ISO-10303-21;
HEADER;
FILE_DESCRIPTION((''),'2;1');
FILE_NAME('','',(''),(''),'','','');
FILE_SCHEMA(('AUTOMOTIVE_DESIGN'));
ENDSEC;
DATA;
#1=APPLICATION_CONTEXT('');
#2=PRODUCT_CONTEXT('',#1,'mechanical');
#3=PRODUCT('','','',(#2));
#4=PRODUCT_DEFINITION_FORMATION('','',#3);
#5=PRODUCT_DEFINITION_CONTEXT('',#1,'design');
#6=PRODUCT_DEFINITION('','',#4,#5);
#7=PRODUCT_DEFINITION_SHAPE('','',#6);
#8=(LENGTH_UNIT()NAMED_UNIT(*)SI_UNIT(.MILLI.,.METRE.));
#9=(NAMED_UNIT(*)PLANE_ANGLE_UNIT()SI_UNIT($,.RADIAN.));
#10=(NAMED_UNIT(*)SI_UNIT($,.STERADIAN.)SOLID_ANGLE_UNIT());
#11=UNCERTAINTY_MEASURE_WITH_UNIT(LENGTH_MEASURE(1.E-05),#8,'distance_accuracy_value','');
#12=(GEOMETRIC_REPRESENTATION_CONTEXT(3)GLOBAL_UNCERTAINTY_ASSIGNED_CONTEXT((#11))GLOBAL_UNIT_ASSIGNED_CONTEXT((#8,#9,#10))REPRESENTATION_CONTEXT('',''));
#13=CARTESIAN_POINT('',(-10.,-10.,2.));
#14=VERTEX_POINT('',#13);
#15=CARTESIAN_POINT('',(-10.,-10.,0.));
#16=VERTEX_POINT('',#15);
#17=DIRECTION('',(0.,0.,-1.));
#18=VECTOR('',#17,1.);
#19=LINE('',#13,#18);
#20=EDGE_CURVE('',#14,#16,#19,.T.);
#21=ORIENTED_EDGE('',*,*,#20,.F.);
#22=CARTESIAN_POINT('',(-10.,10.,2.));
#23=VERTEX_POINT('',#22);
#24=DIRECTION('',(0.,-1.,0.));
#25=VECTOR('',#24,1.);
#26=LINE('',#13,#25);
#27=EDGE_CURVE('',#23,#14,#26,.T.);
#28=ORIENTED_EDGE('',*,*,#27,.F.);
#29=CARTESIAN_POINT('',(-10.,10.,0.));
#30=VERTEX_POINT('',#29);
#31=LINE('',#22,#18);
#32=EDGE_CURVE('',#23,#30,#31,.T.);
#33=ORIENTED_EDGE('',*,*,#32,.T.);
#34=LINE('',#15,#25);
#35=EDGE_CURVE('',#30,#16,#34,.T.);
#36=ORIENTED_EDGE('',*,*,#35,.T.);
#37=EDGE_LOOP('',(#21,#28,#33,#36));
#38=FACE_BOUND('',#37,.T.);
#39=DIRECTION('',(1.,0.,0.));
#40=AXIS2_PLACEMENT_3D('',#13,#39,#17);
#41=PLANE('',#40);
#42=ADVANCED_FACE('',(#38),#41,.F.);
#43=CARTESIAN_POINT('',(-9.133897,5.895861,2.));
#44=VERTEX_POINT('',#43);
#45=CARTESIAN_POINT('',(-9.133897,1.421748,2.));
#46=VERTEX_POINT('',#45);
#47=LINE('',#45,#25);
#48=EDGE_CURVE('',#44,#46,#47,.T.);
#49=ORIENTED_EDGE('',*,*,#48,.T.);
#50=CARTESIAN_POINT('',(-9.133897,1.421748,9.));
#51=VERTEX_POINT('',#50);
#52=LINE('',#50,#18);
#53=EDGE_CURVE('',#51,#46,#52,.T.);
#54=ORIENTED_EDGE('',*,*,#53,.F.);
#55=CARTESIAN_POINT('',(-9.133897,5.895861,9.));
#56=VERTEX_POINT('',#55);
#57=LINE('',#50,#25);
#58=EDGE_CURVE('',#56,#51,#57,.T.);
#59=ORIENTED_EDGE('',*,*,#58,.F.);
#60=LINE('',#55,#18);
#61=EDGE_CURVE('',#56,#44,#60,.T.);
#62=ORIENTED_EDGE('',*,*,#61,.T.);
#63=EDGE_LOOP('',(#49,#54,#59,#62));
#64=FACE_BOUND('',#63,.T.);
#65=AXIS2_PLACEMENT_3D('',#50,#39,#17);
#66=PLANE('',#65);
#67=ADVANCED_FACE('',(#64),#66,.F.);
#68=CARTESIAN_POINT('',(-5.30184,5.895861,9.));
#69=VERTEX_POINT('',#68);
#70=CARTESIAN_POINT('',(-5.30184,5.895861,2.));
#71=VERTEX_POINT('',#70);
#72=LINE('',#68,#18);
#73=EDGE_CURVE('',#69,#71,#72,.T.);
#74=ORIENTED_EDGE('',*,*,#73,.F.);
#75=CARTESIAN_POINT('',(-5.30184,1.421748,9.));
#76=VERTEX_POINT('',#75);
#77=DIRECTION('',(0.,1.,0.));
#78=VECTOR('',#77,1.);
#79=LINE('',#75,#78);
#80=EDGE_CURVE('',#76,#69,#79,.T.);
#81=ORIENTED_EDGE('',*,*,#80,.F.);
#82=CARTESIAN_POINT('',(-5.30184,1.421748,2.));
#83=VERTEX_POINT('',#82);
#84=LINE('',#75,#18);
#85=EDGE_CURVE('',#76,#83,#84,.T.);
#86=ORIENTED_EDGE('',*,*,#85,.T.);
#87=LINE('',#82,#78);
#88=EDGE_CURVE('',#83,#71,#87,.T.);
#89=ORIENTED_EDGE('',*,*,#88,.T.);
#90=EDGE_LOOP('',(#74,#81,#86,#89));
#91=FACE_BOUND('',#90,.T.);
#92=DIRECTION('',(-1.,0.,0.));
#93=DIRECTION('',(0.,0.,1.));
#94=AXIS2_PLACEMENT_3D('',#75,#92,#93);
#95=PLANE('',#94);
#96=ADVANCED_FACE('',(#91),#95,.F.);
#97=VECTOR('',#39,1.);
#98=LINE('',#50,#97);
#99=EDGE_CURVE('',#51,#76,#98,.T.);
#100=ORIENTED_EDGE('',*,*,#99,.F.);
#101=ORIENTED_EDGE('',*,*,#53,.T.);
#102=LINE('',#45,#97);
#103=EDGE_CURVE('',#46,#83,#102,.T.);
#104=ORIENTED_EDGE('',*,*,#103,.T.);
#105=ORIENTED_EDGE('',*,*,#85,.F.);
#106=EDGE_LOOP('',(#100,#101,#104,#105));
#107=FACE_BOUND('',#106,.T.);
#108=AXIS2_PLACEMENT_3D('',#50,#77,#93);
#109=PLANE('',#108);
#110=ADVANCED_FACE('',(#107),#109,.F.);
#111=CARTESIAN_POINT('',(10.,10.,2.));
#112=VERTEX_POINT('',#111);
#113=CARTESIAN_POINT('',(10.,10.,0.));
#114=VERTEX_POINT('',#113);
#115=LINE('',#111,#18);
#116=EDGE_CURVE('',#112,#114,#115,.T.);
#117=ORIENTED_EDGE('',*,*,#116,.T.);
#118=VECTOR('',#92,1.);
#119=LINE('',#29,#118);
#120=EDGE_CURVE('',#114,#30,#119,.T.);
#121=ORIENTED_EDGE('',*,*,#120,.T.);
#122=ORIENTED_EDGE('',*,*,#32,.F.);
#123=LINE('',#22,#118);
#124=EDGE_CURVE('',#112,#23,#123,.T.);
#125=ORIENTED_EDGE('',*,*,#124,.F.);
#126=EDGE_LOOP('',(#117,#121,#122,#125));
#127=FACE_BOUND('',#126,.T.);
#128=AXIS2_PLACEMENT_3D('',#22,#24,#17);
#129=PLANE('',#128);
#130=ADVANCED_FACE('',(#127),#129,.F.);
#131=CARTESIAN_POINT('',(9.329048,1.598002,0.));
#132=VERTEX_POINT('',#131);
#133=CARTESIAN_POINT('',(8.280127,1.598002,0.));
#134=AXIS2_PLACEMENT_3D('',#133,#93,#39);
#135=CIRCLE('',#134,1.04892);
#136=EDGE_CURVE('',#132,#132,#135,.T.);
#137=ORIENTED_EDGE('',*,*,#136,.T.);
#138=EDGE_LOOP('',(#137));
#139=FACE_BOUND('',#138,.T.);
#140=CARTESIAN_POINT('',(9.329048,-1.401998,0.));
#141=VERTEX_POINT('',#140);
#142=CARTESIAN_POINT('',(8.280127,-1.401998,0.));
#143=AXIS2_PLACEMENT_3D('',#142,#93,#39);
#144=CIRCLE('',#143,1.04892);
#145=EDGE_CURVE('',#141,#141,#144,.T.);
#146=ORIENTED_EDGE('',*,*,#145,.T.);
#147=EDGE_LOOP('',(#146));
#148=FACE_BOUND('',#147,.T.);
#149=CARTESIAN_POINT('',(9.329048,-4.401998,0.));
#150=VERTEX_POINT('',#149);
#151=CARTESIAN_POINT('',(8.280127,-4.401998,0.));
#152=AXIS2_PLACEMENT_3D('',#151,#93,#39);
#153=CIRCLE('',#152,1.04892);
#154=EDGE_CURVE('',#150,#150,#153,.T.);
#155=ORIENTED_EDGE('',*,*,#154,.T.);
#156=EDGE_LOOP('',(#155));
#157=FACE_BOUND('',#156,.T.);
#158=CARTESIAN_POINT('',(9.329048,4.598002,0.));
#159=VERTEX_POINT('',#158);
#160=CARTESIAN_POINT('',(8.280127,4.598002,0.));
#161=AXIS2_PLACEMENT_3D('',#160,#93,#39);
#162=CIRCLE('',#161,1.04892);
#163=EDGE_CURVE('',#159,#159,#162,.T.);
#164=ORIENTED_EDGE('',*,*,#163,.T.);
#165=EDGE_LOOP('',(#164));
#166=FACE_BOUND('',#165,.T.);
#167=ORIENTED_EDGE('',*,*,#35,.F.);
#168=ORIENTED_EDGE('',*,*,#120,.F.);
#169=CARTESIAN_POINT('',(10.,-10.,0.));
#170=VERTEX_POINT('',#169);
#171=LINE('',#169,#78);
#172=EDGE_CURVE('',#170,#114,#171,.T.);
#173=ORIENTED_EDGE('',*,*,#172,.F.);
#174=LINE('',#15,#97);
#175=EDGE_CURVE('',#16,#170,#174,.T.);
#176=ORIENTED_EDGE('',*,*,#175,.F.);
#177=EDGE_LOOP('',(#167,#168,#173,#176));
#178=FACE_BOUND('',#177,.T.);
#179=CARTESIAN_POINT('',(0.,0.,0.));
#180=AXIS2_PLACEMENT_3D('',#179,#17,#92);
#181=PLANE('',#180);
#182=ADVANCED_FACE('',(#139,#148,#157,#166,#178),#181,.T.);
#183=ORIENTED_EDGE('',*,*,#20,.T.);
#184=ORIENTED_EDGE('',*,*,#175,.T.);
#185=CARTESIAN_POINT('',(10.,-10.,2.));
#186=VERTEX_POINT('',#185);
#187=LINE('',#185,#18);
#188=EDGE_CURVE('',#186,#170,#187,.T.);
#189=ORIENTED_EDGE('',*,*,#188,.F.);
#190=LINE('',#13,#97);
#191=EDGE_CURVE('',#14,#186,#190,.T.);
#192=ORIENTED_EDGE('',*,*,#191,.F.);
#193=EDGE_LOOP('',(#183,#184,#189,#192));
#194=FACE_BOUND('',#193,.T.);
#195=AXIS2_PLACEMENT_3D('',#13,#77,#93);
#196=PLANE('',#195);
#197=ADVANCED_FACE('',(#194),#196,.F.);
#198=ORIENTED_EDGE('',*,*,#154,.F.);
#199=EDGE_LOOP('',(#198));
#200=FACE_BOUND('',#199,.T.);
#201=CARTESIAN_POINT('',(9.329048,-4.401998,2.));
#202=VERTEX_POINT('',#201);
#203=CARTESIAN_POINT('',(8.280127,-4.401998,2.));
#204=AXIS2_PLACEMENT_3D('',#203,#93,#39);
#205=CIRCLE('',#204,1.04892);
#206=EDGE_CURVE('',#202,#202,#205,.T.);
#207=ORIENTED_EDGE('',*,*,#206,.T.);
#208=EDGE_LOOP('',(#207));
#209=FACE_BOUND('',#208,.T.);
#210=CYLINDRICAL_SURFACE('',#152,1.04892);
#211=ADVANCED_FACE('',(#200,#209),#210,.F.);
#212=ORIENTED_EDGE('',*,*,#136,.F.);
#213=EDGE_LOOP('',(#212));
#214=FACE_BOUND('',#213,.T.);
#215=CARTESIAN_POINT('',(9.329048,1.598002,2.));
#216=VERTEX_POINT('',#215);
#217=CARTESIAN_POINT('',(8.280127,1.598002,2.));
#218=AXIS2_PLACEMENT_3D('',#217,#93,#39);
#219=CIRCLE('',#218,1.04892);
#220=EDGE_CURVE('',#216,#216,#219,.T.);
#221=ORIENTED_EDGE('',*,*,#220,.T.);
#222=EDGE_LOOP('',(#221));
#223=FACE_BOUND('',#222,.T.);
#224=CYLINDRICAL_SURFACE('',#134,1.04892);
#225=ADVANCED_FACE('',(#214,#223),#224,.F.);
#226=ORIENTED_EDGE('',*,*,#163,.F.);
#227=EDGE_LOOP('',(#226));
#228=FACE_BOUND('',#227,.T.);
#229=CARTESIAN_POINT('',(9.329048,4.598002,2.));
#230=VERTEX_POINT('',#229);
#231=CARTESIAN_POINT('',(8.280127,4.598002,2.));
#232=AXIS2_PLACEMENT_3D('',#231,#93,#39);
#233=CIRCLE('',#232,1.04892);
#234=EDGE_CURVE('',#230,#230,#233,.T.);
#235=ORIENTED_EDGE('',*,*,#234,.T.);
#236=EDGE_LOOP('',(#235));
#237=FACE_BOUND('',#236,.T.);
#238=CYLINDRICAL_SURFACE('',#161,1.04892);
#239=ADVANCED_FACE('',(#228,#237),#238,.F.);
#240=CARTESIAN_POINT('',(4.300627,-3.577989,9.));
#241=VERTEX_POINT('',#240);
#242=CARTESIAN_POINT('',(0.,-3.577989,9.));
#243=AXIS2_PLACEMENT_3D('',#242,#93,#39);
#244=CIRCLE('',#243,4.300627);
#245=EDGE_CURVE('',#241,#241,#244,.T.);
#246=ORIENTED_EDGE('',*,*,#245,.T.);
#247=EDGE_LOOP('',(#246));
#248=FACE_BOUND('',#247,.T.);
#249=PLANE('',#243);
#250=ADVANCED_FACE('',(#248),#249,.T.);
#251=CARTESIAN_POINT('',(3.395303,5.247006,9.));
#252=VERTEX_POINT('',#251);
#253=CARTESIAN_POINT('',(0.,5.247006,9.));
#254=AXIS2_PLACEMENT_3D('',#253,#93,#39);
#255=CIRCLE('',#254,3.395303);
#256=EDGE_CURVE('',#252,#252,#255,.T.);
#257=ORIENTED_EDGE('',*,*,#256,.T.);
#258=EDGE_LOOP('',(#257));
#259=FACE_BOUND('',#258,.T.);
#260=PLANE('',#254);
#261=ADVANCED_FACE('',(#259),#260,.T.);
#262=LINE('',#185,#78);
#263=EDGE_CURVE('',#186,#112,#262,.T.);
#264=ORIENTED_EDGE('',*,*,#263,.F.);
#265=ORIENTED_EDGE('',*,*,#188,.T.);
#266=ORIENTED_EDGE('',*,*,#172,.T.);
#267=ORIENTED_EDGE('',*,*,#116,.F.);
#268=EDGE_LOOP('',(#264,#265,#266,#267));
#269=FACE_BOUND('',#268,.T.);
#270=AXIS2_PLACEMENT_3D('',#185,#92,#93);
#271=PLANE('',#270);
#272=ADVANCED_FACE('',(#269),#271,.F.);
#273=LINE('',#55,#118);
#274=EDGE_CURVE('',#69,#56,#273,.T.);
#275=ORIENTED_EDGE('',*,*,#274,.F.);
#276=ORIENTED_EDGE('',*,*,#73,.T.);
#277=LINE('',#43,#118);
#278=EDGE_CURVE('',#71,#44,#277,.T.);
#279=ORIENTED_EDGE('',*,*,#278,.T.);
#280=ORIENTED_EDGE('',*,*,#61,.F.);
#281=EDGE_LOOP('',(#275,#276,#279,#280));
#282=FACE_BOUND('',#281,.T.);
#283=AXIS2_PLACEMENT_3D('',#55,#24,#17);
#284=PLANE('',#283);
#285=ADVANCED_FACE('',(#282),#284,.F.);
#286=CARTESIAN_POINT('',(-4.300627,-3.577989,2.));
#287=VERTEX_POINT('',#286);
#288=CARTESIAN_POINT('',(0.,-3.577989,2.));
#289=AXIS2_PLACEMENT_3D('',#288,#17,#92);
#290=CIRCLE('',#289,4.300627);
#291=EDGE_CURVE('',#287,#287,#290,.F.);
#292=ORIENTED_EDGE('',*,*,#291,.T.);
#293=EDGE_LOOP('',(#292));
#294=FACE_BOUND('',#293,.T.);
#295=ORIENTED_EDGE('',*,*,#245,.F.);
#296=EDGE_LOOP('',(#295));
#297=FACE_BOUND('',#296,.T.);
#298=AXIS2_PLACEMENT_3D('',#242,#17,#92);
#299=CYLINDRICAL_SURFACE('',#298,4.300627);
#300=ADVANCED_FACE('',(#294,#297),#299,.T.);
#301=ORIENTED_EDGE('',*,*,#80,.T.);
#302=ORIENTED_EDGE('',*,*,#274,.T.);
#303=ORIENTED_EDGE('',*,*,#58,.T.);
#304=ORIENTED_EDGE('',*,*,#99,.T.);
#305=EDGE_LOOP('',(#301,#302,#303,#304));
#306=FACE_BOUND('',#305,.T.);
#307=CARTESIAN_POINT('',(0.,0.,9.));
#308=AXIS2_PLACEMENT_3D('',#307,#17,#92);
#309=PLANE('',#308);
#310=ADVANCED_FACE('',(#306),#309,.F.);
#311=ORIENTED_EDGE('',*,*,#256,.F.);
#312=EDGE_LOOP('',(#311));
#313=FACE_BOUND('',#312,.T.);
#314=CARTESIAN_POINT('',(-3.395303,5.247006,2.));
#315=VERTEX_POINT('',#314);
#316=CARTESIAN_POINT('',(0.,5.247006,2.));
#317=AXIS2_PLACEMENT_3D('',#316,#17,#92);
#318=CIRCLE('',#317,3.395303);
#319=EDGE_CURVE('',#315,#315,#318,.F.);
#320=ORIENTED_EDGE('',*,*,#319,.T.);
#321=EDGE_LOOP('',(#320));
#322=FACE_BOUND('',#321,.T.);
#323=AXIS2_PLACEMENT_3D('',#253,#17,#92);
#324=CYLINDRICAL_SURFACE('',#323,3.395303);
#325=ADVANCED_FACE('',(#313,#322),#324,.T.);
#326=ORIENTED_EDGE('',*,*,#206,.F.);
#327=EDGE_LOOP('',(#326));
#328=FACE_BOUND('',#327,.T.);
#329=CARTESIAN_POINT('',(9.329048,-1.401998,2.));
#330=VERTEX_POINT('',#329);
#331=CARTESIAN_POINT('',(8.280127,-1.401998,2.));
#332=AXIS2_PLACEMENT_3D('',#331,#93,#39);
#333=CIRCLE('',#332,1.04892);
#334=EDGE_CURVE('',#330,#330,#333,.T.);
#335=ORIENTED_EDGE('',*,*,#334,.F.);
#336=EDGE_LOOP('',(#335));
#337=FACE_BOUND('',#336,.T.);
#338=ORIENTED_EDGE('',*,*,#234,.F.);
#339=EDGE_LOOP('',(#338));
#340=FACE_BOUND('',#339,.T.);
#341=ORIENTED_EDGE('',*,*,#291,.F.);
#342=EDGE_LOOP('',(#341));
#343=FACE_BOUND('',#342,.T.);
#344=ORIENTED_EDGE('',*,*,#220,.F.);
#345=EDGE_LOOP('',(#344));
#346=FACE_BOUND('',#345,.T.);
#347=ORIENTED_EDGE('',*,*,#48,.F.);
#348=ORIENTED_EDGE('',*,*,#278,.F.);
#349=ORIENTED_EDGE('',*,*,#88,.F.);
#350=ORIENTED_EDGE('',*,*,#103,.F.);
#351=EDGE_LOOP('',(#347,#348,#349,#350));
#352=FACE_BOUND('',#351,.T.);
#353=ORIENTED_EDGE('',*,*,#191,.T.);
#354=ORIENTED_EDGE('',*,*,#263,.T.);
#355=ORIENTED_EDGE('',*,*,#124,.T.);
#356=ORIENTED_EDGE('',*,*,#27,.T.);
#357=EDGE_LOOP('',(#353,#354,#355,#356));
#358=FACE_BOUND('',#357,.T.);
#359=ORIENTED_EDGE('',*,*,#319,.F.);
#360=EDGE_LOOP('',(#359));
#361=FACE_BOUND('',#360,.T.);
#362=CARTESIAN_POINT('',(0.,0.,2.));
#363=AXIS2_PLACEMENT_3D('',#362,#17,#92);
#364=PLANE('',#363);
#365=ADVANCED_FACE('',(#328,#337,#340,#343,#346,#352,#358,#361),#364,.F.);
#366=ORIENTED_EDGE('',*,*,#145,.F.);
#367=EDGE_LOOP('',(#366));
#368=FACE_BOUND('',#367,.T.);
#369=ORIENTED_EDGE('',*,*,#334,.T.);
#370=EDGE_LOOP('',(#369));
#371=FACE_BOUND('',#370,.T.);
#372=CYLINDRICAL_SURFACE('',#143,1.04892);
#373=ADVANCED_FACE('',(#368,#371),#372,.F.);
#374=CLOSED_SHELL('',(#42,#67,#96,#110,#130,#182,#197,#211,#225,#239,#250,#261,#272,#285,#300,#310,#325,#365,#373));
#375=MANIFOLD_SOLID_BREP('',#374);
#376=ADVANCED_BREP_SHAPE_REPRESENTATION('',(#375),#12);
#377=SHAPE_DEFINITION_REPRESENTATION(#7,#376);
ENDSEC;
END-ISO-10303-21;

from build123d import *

# Parameters (mm, degrees)
CROQUIS1_W              = 20
CROQUIS1_H              = 20
SALIENTE_EXTRUIR1_DEPTH = 2
CROQUIS2_R              = 3.395302969
CROQUIS2_R_2            = 4.300626918
CROQUIS2_W              = 3.832057349
CROQUIS2_H              = 4.474113334
SALIENTE_EXTRUIR2_DEPTH = 7
CROQUIS3_R              = 1.048920166
CORTAR_EXTRUIR1_DEPTH   = 2


with BuildPart() as part:
    # Croquis1 → Saliente-Extruir1 (new body)
    with BuildSketch(Plane.XY):
        Rectangle(CROQUIS1_W, CROQUIS1_H)
    extrude(amount=SALIENTE_EXTRUIR1_DEPTH)

    # Croquis2 → Saliente-Extruir2 (add)
    with BuildSketch(Plane.XY.offset(2)):
        with Locations(Location((0, 5.24700562, 0), (0, 0, 180))):
            Circle(CROQUIS2_R)
        with Locations(Location((0, -3.577988987, 0), (0, 0, 180))):
            Circle(CROQUIS2_R_2)
        with Locations((-7.217868445, 3.658804494)):
            Rectangle(CROQUIS2_W, CROQUIS2_H)
    extrude(amount=SALIENTE_EXTRUIR2_DEPTH)

    # Croquis3 → Cortar-Extruir1 (cut)
    with BuildSketch(Plane.XY.offset(2)):
        with Locations((8.280127459, 4.598002093)):
            Circle(CROQUIS3_R)
        with Locations((8.280127459, 1.598002093)):
            Circle(CROQUIS3_R)
        with Locations((8.280127459, -1.401997907)):
            Circle(CROQUIS3_R)
        with Locations((8.280127459, -4.401997907)):
            Circle(CROQUIS3_R)
    extrude(amount=-CORTAR_EXTRUIR1_DEPTH, mode=Mode.SUBTRACT)


solid = part.part
